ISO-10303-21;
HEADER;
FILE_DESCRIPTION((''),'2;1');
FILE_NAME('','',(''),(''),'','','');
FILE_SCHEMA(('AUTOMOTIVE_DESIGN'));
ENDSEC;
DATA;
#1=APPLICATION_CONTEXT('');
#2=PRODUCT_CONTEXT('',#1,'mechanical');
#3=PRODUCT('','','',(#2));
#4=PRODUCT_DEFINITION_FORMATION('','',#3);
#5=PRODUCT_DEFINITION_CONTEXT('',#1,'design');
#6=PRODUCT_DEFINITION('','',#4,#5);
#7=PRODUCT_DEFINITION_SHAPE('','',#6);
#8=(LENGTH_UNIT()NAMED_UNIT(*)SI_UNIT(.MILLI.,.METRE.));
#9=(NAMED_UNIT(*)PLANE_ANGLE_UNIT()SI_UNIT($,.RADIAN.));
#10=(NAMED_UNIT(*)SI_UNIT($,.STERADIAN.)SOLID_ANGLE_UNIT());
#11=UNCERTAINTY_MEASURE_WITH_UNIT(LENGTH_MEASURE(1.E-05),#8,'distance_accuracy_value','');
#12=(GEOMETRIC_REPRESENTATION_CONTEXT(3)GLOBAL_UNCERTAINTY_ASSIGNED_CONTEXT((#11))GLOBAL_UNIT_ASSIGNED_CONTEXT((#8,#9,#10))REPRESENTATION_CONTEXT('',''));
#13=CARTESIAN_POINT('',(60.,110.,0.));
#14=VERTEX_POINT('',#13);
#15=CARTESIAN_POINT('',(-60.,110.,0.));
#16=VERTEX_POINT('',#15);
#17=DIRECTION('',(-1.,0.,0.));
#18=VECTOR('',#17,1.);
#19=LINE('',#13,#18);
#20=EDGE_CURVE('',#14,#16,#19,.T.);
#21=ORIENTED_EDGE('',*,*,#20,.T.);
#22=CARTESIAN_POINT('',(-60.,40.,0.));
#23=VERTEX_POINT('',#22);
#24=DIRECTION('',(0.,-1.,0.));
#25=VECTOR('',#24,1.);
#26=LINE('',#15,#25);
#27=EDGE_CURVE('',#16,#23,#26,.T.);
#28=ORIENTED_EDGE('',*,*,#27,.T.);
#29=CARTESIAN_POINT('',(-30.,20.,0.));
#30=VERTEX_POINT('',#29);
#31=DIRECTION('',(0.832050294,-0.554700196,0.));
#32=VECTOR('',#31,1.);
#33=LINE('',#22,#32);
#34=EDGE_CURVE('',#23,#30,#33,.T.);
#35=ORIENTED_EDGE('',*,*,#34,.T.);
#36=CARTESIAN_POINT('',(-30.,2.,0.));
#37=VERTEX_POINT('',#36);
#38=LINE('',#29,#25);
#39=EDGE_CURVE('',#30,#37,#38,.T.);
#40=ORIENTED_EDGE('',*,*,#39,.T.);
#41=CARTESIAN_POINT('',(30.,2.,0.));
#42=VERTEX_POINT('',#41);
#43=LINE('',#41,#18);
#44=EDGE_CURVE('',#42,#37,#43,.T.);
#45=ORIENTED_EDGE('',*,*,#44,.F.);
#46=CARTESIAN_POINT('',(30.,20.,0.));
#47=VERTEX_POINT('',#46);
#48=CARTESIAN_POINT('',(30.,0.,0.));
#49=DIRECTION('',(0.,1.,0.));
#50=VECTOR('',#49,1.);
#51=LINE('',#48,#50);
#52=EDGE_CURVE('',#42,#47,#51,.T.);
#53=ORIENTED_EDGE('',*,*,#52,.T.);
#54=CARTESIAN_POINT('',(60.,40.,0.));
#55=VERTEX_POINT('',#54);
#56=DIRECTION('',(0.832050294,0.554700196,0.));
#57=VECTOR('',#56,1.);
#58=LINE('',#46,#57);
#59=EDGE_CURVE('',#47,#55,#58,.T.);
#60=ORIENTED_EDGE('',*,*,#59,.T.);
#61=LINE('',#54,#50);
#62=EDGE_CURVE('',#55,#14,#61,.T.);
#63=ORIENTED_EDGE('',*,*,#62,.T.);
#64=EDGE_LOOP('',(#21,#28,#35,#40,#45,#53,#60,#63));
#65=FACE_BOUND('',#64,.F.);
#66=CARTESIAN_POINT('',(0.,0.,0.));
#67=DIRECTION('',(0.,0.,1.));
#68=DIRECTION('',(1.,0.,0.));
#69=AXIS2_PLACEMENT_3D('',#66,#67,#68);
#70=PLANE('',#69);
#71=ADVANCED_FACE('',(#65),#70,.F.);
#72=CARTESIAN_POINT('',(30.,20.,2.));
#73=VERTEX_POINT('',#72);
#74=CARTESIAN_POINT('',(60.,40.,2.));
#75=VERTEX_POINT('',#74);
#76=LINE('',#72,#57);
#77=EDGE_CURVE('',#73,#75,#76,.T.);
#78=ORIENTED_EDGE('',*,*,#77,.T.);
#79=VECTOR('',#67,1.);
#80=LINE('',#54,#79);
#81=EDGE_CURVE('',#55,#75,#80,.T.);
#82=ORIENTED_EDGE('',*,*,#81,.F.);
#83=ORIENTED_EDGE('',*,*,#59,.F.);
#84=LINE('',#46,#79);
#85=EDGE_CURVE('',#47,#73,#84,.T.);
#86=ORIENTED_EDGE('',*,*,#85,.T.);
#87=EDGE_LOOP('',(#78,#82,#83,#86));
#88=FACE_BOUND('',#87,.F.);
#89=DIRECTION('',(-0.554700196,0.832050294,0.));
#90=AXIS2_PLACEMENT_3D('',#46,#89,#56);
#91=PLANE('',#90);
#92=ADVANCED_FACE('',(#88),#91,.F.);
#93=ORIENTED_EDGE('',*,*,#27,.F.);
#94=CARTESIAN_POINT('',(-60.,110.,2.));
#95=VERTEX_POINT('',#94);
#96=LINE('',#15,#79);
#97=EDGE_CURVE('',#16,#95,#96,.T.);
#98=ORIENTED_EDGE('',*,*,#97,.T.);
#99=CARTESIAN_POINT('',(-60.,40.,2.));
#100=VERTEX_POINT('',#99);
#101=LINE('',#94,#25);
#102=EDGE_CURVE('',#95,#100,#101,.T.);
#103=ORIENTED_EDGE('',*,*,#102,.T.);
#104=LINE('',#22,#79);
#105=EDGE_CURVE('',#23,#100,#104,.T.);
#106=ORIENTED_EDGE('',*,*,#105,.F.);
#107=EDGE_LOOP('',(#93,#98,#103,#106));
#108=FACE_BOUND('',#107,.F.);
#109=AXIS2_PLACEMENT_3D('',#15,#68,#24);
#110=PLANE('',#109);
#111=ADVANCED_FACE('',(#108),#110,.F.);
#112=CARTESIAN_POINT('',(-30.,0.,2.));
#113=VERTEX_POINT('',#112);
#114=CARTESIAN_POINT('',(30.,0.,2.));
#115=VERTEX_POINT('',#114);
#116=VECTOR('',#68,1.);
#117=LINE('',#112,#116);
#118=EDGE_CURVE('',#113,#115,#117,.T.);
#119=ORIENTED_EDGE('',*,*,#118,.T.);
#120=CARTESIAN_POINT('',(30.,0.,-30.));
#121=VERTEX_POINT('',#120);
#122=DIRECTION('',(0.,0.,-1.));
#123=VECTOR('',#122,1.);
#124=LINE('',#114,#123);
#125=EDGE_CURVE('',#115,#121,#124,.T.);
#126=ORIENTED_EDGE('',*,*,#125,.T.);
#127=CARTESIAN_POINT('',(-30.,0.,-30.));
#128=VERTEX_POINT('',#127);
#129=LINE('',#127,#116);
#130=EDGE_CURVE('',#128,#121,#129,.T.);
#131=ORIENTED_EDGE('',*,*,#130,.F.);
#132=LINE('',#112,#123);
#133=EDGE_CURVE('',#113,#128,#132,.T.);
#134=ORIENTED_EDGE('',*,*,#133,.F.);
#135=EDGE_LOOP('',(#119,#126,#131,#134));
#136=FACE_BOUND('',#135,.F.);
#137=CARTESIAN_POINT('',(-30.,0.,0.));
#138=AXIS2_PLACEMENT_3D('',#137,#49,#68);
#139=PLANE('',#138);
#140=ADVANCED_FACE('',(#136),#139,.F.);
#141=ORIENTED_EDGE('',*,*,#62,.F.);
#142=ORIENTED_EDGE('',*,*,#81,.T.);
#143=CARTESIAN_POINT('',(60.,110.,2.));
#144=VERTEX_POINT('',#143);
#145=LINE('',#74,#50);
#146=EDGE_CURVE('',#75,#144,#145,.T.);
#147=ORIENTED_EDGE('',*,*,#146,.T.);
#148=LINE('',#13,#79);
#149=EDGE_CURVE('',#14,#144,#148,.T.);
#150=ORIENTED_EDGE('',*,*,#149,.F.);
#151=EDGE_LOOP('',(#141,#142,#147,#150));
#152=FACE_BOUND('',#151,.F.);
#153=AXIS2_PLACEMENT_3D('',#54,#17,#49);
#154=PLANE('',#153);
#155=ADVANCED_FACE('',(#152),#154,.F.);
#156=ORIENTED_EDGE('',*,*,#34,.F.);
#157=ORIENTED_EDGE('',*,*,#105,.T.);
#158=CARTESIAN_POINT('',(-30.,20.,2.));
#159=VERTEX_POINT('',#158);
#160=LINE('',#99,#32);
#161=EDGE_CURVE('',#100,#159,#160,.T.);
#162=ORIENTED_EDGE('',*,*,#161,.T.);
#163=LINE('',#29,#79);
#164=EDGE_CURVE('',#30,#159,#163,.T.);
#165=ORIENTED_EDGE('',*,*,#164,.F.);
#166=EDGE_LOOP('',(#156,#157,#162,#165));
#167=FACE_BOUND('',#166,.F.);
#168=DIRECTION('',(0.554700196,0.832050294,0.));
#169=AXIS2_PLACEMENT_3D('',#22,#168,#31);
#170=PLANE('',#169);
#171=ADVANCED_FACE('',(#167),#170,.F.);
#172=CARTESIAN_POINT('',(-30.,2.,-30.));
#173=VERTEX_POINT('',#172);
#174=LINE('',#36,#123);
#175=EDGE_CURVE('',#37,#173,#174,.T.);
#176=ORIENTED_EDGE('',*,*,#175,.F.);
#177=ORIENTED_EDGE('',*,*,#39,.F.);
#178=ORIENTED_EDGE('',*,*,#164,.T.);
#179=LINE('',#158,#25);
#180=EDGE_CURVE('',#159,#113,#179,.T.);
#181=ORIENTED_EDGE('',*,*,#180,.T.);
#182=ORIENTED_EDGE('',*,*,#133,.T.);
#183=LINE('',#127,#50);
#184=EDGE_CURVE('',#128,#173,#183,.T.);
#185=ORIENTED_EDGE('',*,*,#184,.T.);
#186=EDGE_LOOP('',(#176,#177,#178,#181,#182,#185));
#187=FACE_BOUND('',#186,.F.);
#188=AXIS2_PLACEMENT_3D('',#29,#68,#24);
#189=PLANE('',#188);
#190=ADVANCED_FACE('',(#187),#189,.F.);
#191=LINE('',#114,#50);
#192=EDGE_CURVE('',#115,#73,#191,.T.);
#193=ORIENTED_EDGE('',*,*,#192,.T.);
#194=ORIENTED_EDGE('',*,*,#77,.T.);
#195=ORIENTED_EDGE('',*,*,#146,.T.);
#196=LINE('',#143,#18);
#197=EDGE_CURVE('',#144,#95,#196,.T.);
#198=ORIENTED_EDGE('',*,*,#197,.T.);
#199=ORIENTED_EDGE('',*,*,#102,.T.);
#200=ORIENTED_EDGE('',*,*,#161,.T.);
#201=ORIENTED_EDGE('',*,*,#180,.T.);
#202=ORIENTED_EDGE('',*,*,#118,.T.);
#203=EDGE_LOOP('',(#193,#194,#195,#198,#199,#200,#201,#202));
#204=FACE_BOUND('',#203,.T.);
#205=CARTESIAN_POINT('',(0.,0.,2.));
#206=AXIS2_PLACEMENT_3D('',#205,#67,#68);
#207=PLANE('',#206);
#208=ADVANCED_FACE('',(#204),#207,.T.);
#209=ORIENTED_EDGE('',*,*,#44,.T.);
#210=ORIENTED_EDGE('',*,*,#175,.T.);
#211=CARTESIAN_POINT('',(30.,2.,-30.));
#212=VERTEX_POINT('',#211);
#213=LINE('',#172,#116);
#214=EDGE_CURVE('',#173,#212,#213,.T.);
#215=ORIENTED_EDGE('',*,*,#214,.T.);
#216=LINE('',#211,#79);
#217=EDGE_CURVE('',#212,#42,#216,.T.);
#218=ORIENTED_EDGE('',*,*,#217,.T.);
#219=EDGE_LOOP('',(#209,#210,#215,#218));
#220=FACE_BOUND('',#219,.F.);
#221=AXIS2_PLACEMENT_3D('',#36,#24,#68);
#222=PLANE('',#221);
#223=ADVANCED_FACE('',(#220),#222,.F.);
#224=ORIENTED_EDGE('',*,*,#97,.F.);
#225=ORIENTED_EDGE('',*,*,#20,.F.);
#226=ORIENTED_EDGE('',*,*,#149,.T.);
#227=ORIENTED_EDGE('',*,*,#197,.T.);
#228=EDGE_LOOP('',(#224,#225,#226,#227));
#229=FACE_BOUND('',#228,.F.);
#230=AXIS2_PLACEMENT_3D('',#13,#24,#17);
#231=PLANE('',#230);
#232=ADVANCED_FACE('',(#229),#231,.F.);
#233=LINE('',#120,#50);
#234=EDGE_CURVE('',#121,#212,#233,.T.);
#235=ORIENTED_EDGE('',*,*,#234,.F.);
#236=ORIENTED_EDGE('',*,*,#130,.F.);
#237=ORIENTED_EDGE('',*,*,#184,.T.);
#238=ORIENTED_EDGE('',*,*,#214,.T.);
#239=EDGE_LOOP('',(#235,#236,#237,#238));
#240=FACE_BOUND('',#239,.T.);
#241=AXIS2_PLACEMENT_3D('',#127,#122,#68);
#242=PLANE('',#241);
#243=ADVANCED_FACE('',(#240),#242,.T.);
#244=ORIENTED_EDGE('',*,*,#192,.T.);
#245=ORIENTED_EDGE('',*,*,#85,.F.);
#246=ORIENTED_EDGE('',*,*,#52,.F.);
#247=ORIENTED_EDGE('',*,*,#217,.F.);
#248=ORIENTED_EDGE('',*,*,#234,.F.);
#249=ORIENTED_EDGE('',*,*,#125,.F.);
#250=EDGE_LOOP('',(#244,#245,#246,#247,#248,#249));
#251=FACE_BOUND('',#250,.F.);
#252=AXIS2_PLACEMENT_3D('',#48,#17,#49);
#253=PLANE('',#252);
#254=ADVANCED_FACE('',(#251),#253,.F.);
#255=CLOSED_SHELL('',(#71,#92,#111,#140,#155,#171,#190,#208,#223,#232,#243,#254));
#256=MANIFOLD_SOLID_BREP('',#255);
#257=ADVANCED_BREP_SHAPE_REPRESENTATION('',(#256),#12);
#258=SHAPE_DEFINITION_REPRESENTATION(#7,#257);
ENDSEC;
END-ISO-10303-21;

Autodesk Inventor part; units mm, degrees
ref_plane "YZ Plane" through (0, 0, 0) normal (1, 0, 0) x (0, 1, 0)
ref_plane "XZ Plane" through (0, 0, 0) normal (0, 1, 0) x (-1, 0, 0)
ref_plane "XY Plane" through (0, 0, 0) normal (0, 0, 1) x (1, 0, 0)
sketch "Sketch1" plane through (0, 0, 0) normal (0, 0, 1) x (1, 0, 0)
  line L0 (60, 40) -> (60, 110)
  line L1 (60, 110) -> (-60, 110)
  line L2 (-60, 110) -> (-60, 40)
  line L3 (-30, 0) -> (30, 0)
  line L4 (30, 0) -> (30, 20)
  line L5 (-30, 20) -> (-30, 0)
  line L6 (-60, 40) -> (-30, 20)
  line L7 (30, 20) -> (60, 40)
  point P0 (0, 0)
  dimension "d4" = 120
  dimension "d5" = 70
  dimension "d7" = 20
  dimension "d8" = 60
extrude "Extrusion1" add sketch "Sketch1" along normal blind 2
sketch "Sketch2" plane through (-30, 0, 0) normal (0, -1, 0) x (1, 0, 0)
  line L0 (60, 0) -> (60, 2) projected
  line L1 (60, 0) -> (0, 0)
  line L2 (0, 0) -> (0, -30)
  line L3 (0, -30) -> (60, -30)
  line L4 (60, -30) -> (60, 0)
  dimension "d11" = 60
  dimension "d12" = 30
extrude "Extrusion2" add sketch "Sketch2" against normal blind 2
properties part number "Body Back"
